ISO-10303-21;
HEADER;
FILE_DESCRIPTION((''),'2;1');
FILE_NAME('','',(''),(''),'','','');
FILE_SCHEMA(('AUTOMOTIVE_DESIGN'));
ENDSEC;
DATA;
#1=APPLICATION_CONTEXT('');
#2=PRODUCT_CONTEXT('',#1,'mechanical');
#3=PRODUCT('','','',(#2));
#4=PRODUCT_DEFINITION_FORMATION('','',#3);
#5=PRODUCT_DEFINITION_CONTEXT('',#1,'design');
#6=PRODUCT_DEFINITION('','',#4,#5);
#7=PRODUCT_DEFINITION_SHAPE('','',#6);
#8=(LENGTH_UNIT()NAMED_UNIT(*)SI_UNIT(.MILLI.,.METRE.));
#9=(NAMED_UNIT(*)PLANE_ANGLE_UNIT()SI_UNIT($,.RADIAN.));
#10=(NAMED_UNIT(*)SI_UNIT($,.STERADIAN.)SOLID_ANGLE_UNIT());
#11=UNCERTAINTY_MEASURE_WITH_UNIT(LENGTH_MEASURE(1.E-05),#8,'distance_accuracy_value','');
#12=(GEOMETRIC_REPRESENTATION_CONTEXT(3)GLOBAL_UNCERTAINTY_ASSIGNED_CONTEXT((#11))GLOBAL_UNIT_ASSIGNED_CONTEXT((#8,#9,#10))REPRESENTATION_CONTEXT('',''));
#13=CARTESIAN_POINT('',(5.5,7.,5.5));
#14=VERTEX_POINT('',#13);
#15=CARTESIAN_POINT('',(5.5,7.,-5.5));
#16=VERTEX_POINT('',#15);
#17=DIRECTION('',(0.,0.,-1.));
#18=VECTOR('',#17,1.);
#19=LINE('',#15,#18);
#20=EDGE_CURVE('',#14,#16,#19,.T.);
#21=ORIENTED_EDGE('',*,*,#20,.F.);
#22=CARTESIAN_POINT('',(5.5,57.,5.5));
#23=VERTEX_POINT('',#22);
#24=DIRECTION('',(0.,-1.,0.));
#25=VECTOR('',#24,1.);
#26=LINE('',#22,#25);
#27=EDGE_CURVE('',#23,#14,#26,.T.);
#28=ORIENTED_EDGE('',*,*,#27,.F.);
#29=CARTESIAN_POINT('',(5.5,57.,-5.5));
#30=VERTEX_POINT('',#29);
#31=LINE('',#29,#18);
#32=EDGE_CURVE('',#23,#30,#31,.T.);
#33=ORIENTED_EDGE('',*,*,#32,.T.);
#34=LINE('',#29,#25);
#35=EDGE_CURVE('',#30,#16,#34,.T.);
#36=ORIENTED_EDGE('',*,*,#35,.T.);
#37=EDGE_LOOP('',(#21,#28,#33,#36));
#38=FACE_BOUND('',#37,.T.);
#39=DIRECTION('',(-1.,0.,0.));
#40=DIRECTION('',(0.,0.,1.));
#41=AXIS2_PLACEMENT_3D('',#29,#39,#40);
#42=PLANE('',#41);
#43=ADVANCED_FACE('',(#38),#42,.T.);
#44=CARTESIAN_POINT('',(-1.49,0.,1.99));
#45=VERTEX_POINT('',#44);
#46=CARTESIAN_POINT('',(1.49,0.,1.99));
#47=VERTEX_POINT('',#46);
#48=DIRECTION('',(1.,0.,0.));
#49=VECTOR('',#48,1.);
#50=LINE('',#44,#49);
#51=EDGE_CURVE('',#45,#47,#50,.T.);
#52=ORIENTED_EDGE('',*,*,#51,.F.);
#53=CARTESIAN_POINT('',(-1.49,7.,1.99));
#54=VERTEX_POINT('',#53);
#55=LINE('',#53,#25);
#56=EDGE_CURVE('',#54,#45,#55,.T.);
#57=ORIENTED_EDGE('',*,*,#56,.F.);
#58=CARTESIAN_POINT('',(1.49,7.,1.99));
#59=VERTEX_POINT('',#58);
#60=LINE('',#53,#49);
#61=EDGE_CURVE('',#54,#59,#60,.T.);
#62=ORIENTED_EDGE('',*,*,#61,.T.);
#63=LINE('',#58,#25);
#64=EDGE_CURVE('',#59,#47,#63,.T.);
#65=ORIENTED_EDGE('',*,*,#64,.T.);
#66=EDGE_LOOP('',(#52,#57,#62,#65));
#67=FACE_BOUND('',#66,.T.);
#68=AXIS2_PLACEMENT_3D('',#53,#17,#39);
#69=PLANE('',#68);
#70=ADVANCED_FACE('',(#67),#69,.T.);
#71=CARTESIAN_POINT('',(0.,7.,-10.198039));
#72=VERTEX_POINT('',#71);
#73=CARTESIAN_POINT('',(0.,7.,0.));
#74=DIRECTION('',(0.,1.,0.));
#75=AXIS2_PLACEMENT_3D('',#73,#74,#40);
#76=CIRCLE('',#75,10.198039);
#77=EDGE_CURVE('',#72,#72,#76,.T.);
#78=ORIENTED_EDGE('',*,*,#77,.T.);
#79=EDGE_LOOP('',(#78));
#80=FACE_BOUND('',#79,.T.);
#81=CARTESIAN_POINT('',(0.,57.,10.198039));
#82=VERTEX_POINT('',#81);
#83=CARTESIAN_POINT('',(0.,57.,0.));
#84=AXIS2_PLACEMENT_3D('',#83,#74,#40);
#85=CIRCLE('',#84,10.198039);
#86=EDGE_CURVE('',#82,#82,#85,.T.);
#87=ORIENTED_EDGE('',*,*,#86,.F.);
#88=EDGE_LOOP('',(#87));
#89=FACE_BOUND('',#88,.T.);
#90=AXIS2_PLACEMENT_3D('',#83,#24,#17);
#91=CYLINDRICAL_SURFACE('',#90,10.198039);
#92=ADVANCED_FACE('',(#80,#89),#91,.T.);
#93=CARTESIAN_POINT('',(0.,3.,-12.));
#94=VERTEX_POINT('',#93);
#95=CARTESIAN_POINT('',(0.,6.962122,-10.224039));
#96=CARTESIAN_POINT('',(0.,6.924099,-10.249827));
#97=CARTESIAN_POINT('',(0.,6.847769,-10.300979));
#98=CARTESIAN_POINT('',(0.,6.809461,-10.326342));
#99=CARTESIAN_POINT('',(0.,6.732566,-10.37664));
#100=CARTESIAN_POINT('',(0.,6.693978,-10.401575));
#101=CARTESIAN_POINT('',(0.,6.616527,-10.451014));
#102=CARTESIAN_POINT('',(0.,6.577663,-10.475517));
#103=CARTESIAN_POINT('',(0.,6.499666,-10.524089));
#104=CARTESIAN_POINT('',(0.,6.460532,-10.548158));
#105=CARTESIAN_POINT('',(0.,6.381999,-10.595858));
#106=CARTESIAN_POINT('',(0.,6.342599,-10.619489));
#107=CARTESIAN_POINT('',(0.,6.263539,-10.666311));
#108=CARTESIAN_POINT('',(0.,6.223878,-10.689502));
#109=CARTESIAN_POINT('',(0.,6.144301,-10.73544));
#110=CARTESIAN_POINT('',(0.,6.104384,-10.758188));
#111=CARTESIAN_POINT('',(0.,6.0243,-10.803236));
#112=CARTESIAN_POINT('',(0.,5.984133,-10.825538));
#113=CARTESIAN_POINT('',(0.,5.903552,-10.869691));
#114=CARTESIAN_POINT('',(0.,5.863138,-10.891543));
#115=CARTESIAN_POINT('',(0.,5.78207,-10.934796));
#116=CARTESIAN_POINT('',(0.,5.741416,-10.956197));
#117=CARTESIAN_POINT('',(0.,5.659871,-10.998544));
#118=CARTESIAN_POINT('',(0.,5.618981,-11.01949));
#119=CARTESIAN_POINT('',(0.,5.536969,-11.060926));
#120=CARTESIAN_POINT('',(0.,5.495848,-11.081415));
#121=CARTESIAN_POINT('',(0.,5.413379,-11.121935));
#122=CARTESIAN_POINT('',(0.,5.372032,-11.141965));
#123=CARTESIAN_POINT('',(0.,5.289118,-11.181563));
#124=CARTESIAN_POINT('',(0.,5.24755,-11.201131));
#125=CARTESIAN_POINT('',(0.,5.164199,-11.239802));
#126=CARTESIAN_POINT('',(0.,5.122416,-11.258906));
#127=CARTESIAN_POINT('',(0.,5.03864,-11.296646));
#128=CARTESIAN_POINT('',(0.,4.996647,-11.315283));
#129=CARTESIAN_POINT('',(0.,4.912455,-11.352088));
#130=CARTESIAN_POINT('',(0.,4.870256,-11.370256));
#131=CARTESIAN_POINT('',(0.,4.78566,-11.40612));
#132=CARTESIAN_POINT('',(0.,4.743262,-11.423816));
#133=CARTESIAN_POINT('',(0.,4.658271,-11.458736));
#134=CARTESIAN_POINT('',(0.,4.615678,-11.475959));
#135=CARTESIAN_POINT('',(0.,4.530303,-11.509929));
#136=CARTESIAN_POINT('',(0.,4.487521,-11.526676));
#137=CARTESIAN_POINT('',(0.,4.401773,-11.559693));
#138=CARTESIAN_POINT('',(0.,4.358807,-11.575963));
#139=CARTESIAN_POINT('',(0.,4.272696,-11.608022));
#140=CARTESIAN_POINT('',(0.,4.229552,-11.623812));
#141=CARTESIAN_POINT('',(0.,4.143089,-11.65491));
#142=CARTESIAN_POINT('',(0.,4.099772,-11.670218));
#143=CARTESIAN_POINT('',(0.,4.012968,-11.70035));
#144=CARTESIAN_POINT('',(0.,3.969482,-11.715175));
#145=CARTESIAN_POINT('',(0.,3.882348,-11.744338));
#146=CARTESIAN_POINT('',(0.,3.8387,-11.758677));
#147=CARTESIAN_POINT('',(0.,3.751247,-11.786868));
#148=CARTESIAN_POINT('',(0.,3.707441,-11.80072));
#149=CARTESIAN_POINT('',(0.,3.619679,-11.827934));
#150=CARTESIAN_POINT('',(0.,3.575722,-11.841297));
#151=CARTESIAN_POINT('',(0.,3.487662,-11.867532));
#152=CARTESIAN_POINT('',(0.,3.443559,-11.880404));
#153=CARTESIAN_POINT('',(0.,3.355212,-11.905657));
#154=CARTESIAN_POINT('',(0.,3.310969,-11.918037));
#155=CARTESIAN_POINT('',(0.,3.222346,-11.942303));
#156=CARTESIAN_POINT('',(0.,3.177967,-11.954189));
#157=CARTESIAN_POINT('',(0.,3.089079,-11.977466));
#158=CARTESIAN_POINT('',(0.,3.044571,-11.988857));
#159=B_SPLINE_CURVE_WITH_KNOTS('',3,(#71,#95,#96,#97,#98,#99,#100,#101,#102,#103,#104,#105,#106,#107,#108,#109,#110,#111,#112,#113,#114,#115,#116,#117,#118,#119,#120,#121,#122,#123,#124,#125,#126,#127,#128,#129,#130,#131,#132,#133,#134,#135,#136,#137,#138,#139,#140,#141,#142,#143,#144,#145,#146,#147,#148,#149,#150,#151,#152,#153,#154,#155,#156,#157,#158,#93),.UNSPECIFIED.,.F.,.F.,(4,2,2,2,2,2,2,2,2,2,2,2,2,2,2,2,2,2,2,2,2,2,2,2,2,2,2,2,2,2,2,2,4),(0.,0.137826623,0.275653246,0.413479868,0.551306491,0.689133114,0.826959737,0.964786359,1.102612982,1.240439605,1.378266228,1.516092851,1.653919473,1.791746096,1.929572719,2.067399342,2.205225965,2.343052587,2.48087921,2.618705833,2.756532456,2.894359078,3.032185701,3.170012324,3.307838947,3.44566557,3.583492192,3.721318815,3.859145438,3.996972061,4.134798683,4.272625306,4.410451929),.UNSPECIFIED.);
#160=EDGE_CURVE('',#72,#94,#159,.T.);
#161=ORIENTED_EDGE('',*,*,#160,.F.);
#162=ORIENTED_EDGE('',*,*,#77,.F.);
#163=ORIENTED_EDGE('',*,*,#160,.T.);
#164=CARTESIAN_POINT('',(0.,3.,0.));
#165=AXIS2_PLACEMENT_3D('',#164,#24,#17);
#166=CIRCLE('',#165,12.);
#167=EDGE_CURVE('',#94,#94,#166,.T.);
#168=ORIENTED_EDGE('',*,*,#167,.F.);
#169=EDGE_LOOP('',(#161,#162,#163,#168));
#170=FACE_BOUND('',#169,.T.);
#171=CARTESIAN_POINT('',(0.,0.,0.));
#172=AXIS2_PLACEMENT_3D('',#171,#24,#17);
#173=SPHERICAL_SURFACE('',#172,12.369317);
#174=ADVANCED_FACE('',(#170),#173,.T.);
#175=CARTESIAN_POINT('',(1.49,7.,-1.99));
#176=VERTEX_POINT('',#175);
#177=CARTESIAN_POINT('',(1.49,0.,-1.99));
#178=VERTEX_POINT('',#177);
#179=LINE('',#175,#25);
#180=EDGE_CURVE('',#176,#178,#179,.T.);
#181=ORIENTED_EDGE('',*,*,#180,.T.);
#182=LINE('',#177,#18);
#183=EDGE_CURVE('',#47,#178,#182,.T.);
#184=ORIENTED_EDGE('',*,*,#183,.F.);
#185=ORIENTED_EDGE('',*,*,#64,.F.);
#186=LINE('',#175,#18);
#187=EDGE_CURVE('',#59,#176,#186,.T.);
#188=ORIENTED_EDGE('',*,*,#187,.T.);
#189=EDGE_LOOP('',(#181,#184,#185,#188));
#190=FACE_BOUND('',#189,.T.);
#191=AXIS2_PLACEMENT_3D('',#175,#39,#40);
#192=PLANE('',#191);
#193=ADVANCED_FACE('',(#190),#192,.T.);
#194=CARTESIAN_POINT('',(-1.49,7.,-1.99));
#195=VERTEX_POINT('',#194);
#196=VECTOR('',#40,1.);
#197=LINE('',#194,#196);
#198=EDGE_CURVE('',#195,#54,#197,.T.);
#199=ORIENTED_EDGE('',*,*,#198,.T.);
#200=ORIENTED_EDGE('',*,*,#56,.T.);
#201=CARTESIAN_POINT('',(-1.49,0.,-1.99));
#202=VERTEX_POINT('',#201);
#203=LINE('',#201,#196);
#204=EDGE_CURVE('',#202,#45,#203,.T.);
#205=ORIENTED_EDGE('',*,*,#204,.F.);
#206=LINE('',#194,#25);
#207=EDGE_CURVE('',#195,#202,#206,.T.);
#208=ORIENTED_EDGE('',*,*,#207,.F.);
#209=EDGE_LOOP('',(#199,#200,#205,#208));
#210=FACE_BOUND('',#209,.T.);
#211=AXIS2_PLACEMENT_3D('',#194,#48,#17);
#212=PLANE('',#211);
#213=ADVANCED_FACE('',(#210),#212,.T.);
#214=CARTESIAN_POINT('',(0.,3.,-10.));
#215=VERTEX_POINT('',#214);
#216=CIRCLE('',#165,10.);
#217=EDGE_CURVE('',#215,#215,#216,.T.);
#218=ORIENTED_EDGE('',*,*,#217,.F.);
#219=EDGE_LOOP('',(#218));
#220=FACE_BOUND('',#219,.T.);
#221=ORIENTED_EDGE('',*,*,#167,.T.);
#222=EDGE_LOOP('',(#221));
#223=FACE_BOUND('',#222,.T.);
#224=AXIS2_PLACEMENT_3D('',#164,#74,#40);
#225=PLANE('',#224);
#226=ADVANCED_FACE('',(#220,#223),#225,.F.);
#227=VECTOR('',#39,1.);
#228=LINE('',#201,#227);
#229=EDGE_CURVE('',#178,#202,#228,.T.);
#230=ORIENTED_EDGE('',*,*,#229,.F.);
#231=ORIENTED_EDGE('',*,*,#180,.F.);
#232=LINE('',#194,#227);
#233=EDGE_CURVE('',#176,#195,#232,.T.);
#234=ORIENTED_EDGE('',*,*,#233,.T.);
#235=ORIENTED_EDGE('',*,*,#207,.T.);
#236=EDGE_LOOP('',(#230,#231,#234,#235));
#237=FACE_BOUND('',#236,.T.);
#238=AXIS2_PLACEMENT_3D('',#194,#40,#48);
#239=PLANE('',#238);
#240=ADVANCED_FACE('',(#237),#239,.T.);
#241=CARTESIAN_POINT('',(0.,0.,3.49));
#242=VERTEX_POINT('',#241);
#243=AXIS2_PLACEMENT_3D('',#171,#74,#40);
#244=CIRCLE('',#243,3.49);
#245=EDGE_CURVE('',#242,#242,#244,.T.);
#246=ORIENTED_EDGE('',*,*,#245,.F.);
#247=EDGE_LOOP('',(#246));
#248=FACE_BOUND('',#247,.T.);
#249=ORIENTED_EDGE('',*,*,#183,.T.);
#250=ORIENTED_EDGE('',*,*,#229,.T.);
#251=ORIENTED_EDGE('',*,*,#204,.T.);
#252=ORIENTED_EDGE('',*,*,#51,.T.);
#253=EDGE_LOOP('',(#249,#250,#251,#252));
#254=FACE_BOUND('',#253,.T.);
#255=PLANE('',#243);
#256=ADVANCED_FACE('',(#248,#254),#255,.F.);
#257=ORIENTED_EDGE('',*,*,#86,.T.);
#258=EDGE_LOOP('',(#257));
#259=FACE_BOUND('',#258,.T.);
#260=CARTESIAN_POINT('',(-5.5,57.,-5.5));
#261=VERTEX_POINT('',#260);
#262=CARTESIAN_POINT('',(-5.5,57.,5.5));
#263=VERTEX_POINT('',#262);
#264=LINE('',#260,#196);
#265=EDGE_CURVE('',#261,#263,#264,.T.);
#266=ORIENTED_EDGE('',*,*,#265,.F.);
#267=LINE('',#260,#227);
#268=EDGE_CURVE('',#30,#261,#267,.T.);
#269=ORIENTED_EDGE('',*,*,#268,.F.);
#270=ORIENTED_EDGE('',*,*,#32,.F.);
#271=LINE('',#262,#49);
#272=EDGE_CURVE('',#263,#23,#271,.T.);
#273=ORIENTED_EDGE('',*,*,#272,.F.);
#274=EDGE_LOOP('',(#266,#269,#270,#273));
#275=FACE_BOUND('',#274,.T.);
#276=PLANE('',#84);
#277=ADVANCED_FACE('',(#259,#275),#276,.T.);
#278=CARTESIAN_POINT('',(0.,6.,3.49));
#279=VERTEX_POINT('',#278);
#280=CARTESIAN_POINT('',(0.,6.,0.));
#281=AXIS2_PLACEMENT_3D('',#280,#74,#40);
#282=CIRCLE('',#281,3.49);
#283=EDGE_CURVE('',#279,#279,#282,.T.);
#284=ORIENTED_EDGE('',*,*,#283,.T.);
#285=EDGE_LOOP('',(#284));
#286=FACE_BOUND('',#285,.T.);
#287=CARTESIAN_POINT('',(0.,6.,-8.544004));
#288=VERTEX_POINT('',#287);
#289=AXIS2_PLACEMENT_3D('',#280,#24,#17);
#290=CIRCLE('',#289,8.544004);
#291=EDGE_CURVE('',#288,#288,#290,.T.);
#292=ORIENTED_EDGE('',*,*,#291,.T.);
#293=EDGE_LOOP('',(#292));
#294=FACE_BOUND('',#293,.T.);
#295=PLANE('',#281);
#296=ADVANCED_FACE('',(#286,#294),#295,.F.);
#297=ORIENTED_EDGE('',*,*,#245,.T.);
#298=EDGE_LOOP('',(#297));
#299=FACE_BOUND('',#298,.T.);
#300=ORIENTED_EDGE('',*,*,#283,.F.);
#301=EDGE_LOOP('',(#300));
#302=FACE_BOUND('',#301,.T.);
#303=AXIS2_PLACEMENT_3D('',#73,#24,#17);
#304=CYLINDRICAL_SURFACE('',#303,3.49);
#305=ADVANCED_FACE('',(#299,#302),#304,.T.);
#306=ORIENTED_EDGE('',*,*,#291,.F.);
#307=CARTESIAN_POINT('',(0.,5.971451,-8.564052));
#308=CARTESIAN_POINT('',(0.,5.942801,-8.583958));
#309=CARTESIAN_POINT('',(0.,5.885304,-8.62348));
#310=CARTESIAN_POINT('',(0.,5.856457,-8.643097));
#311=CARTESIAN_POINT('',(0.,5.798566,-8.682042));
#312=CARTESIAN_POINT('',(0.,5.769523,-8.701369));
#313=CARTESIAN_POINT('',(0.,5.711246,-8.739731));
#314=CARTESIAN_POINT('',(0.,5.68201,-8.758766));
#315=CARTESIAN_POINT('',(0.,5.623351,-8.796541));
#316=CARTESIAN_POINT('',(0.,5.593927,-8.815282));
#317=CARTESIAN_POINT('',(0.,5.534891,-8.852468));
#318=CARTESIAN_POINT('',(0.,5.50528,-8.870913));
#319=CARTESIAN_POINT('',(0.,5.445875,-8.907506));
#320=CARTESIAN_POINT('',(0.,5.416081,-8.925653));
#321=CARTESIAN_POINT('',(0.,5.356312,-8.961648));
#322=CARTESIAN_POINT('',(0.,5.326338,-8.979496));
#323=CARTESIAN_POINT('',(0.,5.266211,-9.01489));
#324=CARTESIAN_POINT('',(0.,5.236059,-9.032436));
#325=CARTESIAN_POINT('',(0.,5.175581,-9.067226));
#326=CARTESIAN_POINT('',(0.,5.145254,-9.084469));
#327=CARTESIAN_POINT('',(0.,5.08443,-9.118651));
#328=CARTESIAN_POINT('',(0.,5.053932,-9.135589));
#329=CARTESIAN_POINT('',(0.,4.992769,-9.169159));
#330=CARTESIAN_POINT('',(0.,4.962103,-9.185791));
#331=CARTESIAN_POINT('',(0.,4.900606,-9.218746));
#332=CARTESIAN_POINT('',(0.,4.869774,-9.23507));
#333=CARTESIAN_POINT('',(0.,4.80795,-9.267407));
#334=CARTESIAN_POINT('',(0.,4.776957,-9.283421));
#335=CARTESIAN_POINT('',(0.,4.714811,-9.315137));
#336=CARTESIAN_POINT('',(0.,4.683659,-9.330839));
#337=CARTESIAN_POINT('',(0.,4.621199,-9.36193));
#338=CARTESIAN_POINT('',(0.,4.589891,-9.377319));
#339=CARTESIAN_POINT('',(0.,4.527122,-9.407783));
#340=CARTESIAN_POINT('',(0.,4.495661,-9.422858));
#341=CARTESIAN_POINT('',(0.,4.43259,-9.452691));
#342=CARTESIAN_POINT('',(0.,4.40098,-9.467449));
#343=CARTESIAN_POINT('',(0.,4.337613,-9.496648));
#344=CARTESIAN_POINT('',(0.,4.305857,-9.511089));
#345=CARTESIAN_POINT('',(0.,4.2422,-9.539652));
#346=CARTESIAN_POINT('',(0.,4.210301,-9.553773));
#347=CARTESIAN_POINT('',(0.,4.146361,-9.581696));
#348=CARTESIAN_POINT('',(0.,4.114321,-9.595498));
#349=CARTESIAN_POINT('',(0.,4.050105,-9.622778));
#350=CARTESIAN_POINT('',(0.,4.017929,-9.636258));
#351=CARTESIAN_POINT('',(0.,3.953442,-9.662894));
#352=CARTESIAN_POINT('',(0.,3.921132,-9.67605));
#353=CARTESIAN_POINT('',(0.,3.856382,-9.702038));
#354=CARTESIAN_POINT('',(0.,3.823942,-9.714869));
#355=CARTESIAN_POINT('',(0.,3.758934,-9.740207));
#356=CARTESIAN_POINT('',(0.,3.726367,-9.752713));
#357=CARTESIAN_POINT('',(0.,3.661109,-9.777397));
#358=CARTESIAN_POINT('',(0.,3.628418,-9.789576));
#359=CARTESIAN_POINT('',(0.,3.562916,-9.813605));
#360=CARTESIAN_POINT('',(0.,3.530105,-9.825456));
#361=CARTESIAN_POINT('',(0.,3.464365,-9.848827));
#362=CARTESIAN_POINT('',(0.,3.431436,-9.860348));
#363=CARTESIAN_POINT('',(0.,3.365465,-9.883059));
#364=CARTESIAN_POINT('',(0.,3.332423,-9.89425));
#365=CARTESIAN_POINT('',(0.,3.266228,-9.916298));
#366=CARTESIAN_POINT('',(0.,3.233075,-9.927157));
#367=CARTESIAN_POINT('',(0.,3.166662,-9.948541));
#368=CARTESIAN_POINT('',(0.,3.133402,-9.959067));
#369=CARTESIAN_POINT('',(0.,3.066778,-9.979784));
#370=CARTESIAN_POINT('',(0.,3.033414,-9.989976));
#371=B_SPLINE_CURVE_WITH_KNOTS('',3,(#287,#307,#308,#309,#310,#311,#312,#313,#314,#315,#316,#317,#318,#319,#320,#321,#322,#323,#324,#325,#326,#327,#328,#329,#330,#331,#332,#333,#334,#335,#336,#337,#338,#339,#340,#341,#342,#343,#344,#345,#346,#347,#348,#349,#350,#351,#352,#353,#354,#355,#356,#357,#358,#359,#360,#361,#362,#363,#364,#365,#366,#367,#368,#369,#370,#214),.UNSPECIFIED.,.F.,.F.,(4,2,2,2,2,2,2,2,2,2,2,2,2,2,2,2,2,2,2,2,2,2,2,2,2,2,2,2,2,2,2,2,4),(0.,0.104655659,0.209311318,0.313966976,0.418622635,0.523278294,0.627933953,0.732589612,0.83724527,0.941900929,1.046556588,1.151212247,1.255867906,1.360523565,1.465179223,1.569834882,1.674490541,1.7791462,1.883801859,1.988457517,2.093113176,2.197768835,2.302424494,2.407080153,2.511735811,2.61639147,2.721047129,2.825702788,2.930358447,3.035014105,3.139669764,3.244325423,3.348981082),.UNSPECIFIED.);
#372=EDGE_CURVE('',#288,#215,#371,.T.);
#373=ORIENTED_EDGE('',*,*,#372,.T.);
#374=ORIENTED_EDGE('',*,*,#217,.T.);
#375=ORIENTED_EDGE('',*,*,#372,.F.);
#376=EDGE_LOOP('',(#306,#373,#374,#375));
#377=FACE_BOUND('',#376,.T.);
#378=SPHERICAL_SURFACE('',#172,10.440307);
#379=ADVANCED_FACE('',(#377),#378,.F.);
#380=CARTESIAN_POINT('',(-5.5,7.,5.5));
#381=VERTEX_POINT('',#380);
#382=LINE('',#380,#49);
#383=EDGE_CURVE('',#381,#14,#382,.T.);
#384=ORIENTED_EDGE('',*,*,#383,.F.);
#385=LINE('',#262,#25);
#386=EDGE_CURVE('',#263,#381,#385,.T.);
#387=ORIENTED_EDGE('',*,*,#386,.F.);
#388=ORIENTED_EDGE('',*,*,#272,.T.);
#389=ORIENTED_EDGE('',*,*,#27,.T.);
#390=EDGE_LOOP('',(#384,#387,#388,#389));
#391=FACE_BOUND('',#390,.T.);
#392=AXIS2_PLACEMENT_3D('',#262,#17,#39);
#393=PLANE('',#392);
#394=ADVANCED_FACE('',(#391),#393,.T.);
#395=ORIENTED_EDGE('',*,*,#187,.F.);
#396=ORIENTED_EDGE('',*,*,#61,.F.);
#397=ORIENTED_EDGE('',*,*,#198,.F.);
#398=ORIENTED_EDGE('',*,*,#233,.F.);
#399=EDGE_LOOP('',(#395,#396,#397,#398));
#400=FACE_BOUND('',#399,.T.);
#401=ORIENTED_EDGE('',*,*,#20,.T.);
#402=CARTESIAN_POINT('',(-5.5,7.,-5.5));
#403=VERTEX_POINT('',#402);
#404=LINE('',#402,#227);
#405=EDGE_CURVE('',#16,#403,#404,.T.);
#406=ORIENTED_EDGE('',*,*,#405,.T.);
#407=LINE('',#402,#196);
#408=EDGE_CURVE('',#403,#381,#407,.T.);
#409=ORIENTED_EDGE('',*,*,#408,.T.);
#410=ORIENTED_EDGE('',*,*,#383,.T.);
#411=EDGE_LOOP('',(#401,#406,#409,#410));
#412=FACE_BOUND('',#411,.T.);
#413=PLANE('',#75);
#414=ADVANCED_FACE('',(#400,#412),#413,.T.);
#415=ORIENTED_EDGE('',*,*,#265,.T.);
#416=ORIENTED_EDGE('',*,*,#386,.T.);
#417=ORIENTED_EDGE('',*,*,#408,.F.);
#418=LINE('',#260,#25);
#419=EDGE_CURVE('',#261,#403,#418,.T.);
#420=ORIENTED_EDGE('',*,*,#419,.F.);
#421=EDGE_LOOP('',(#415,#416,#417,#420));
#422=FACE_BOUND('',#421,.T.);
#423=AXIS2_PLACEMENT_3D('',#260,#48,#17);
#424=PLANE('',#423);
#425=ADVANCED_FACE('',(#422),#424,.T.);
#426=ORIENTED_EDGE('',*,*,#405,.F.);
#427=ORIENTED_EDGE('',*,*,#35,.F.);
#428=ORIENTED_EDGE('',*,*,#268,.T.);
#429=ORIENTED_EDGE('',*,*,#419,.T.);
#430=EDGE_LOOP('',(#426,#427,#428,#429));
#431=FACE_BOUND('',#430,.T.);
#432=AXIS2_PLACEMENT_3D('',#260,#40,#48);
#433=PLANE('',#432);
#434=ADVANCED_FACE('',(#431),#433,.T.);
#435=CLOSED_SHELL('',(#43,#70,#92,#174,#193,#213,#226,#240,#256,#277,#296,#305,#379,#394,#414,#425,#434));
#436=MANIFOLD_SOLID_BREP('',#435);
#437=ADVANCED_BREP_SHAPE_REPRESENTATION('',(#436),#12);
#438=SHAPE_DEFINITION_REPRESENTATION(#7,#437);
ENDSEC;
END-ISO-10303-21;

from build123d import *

# Parameters (mm, degrees)
SKETCH1_R           = 3.49
SKETCH1_W           = 2.98
SKETCH1_H           = 3.98
BOSS_EXTRUDE2_DEPTH = 7
SKETCH3_R           = 10.198039027
SKETCH3_W           = 11
SKETCH3_H           = 11
BOSS_EXTRUDE3_DEPTH = 50


with BuildPart() as part:
    # Sketch1 → Boss-Extrude2 (new body)
    with BuildSketch(Plane(origin=(0, 0, 0), x_dir=(1, 0, 0), z_dir=(0, 1, 0))):
        Circle(SKETCH1_R)
        Rectangle(SKETCH1_W, SKETCH1_H, mode=Mode.SUBTRACT)
    extrude(amount=BOSS_EXTRUDE2_DEPTH)

    # Sketch2 → Revolve1 (revolve)
    with BuildSketch(Plane(origin=(0, 0, 0), x_dir=(0, 0, -1), z_dir=(1, 0, 0))):
        with BuildLine():
            Line((10, 3), (12, 3))
            ThreePointArc((12, 3), (11.277776118, 5.080528106), (10.198039027, 7))
            Line((10.198039027, 7), (3.49, 7))
            Line((3.49, 7), (3.49, 6))
            Line((3.49, 6), (8.544003745, 6))
            ThreePointArc((8.544003745, 6), (9.392551236, 4.558506474), (10, 3))
        make_face()
    revolve(axis=Axis((0, 0.002779656, 0), (0, 1, 0)))

    # Sketch3 → Boss-Extrude3 (add)
    with BuildSketch(Plane(origin=(0, 7, 0), x_dir=(1, 0, 0), z_dir=(0, 1, 0))):
        Circle(SKETCH3_R)
        Rectangle(SKETCH3_W, SKETCH3_H, mode=Mode.SUBTRACT)
    extrude(amount=BOSS_EXTRUDE3_DEPTH)


solid = part.part
